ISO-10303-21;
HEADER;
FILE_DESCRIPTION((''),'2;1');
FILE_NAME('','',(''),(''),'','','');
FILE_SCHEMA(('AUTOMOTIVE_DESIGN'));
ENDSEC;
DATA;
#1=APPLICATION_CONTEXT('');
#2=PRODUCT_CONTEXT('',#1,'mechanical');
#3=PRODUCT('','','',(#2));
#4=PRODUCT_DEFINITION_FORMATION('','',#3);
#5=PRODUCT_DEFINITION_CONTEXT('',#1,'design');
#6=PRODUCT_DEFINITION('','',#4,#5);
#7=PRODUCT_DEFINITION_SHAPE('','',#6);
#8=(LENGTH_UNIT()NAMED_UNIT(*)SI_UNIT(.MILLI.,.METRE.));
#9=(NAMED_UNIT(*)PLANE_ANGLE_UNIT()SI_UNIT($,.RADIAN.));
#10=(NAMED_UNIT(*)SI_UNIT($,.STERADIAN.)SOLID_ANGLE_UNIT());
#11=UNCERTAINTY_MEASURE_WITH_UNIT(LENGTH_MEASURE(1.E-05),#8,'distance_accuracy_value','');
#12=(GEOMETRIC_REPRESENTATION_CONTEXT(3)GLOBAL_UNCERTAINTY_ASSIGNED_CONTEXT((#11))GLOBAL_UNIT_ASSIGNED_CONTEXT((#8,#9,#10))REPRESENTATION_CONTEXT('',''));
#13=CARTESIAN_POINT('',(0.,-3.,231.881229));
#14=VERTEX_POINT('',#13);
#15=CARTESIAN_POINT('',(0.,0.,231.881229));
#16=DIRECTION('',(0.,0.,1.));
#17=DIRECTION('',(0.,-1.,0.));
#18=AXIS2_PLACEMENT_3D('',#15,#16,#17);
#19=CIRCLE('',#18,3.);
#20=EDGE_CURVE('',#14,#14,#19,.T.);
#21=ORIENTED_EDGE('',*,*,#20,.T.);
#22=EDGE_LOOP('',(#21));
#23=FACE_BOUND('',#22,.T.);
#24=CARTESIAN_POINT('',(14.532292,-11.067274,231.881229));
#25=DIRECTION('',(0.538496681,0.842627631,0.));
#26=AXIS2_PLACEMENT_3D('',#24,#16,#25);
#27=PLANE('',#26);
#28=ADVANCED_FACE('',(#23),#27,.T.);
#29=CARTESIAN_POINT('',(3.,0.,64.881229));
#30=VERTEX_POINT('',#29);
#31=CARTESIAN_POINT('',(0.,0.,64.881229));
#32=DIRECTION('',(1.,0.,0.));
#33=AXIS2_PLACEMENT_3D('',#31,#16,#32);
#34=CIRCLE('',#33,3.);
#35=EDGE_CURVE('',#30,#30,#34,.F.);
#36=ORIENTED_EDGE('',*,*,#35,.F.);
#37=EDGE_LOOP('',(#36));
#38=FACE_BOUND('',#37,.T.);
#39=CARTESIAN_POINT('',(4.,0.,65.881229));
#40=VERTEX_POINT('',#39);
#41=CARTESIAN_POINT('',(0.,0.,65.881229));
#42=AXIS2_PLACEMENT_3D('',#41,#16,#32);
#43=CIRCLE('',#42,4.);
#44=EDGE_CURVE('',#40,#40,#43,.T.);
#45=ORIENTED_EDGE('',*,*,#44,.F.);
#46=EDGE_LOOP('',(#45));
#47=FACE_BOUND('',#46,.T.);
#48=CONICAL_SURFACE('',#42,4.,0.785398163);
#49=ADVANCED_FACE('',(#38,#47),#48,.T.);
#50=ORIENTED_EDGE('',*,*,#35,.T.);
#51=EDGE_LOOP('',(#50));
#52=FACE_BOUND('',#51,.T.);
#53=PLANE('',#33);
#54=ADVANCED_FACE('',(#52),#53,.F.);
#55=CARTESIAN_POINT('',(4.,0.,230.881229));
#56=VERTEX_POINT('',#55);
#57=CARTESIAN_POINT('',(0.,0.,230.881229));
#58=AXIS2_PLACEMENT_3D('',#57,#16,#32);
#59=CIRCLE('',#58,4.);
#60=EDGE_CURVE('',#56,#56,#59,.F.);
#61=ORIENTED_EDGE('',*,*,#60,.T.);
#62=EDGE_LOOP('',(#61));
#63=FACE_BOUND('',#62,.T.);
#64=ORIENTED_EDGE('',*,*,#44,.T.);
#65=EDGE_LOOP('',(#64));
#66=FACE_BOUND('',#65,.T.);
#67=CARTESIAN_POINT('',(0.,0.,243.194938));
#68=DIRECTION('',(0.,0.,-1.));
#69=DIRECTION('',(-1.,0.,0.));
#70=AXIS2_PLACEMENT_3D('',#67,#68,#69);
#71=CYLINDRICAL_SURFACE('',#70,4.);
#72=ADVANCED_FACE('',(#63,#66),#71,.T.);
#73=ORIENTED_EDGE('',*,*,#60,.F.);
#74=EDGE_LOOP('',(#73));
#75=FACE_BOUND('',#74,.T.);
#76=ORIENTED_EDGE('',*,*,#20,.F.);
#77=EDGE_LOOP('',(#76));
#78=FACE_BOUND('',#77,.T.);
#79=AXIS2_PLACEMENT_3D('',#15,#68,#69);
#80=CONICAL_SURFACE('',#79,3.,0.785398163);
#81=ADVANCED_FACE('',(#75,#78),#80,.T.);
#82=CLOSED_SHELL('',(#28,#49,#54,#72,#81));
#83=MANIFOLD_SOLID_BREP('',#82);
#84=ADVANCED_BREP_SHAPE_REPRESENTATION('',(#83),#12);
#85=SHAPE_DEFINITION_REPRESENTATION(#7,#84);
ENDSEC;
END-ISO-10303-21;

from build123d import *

# Parameters (mm, degrees)
SCHIZZO1_R                   = 4
ESTRUSIONE_ESTRUSIONE1_DEPTH = 167
SMUSSO1_SIZE                 = 1


with BuildPart() as part:
    # Schizzo1 → Estrusione-Estrusione1 (new body)
    with BuildSketch(Plane.XY.offset(64.881229077)):
        Circle(SCHIZZO1_R)
    extrude(amount=ESTRUSIONE_ESTRUSIONE1_DEPTH)

    # Smusso1
    smusso1_edges = [part.edges().sort_by_distance(p)[0] for p in [
        (-4, 0, 64.881229077),
        (-4, 0, 231.881229077),
    ]]
    chamfer(smusso1_edges, length=SMUSSO1_SIZE)


solid = part.part
